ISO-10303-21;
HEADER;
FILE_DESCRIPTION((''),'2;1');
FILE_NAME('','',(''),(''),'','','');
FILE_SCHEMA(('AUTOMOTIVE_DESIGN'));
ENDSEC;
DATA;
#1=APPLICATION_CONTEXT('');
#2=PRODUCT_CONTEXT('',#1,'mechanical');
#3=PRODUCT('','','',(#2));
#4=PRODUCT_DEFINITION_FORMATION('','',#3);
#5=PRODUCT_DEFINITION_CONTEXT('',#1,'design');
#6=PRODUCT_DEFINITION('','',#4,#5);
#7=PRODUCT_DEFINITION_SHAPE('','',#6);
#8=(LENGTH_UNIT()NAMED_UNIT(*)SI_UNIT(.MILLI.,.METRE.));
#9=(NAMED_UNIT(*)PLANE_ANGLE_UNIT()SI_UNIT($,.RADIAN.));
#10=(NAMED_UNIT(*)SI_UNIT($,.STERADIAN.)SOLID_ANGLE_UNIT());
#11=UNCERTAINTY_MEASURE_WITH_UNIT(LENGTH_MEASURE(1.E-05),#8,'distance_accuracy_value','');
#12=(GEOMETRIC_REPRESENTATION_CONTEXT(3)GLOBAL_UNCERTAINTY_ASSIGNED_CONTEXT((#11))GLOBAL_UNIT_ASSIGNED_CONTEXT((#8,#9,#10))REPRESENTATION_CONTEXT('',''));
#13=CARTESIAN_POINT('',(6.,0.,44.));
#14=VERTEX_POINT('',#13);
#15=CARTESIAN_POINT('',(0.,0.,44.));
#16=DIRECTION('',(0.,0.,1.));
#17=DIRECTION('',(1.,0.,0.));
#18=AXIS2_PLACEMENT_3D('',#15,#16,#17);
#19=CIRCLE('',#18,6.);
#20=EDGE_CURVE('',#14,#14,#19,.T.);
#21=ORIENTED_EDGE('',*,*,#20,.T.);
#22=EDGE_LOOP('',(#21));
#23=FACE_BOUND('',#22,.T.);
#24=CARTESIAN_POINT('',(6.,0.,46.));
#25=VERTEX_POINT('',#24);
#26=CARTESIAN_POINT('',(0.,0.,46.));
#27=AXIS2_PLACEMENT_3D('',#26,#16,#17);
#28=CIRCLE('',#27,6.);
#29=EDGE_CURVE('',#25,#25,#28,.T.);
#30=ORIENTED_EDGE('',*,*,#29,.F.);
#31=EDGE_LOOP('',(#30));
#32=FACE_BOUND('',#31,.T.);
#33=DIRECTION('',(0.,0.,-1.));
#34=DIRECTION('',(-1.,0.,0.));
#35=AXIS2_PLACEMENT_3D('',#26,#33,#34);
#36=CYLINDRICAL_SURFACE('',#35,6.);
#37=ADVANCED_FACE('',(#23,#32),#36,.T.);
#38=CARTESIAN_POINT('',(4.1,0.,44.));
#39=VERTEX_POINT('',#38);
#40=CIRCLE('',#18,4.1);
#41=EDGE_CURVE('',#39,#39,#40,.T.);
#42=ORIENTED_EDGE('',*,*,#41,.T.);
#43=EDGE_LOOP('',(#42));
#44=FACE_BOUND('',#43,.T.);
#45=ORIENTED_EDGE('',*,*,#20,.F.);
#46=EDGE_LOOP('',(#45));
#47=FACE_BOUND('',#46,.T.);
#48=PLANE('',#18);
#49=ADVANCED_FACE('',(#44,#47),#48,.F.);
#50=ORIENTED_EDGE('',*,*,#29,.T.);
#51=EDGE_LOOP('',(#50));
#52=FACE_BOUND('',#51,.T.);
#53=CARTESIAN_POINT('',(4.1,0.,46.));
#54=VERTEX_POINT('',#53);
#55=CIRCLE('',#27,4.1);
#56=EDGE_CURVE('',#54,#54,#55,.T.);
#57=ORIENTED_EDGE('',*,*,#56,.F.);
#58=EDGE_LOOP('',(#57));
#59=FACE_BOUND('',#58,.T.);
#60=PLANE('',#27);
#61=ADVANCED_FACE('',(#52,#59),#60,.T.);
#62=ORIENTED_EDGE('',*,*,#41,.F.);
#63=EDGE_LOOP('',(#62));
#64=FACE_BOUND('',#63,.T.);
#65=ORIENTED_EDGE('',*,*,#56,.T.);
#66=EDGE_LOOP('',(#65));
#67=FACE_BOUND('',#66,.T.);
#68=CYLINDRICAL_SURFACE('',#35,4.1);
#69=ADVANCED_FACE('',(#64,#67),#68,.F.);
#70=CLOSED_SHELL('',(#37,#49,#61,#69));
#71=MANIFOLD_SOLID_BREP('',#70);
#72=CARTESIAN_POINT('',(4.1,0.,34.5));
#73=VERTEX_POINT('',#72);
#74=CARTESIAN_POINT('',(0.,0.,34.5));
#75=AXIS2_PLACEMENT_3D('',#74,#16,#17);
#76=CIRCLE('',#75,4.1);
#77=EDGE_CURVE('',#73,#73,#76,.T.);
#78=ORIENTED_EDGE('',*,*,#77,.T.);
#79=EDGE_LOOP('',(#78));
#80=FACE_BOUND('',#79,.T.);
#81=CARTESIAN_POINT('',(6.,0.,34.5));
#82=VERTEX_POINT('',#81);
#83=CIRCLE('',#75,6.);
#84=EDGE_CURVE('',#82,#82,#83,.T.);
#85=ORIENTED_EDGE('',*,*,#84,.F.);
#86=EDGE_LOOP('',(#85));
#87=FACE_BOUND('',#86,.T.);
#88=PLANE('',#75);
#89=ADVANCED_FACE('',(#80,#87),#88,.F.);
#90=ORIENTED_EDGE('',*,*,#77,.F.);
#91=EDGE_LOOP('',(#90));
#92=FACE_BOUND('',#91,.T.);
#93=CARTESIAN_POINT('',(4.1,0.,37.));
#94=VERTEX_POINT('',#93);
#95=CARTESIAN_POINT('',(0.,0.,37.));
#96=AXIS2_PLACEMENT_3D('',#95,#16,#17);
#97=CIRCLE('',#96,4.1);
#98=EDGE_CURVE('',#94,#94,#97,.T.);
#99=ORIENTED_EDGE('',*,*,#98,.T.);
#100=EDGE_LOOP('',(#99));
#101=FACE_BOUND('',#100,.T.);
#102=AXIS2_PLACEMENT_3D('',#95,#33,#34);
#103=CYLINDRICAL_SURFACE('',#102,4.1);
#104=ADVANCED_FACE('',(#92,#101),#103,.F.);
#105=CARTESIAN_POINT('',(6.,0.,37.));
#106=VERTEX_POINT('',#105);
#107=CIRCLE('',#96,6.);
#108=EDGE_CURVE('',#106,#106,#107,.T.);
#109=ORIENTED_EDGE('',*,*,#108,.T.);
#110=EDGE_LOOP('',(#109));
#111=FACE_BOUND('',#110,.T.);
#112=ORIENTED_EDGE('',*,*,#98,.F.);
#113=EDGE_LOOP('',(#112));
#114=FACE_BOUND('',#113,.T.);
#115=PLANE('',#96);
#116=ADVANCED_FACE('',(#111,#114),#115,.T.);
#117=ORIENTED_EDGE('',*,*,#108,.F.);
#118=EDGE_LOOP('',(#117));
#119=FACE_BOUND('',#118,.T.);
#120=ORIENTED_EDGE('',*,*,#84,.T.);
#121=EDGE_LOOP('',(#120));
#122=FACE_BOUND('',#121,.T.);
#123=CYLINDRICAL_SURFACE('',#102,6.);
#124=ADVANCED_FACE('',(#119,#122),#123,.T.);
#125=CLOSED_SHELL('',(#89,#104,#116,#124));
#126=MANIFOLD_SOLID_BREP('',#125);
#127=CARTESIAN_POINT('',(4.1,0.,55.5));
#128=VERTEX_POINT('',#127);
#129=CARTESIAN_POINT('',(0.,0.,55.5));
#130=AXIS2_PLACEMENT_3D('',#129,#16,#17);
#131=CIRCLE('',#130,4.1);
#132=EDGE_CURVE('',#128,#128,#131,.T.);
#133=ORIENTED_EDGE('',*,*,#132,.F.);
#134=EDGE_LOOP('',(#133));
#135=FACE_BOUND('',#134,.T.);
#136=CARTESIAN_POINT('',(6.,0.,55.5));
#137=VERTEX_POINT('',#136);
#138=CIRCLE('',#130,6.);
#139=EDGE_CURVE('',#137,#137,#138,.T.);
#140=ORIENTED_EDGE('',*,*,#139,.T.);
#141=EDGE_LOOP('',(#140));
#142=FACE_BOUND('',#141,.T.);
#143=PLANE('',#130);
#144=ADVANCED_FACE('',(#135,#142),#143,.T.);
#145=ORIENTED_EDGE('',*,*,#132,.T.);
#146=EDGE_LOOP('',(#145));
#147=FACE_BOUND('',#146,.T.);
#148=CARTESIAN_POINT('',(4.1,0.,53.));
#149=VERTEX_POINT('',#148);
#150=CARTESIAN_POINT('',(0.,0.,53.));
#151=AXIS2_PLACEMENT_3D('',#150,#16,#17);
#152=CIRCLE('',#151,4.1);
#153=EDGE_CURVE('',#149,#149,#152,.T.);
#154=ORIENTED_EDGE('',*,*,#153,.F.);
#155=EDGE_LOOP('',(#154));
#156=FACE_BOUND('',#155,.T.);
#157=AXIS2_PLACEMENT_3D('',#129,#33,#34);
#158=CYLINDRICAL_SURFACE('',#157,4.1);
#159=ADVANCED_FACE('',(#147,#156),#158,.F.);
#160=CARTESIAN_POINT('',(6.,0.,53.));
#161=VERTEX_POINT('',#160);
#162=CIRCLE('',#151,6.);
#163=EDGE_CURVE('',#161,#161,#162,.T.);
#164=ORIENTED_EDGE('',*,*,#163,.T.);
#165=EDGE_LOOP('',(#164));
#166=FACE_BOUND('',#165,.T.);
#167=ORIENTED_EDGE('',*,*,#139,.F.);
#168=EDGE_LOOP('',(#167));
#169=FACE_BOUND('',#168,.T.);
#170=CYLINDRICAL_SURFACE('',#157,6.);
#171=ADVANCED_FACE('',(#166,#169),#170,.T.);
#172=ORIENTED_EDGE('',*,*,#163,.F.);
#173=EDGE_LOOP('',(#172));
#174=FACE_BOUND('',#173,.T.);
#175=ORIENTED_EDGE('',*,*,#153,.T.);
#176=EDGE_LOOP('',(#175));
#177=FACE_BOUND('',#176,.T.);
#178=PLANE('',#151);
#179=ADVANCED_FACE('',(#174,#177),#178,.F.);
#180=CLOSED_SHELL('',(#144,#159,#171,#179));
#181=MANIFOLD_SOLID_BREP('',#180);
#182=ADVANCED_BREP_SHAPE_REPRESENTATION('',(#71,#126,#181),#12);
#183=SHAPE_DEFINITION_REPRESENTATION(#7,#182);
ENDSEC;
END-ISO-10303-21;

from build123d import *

# Parameters (mm, degrees)
REAR_START   = 34.5
SKETCH_1_R   = 6
SKETCH_1_R_2 = 4.1
REAR_DEPTH   = 2.5
MIDDLE_START = 44
SKETCH_2_R   = 6
SKETCH_2_R_2 = 4.1
MIDDLE_DEPTH = 2
FRONT_START  = 53
SKETCH_3_R   = 6
SKETCH_3_R_2 = 4.1
FRONT_DEPTH  = 2.5


with BuildPart() as part:
    # Эскиз1 → Rear (new body)
    with BuildSketch(Plane.XY.offset(REAR_START)):
        Circle(SKETCH_1_R)
        Circle(SKETCH_1_R_2, mode=Mode.SUBTRACT)
    extrude(amount=REAR_DEPTH)


with BuildPart() as body_2:
    # Эскиз2 → Middle (new body)
    with BuildSketch(Plane.XY.offset(MIDDLE_START)):
        Circle(SKETCH_2_R)
        Circle(SKETCH_2_R_2, mode=Mode.SUBTRACT)
    extrude(amount=MIDDLE_DEPTH)


with BuildPart() as body_3:
    # Эскиз3 → Front (new body)
    with BuildSketch(Plane.XY.offset(FRONT_START)):
        Circle(SKETCH_3_R)
        Circle(SKETCH_3_R_2, mode=Mode.SUBTRACT)
    extrude(amount=FRONT_DEPTH)


solid = Compound([part.part, body_2.part, body_3.part])
